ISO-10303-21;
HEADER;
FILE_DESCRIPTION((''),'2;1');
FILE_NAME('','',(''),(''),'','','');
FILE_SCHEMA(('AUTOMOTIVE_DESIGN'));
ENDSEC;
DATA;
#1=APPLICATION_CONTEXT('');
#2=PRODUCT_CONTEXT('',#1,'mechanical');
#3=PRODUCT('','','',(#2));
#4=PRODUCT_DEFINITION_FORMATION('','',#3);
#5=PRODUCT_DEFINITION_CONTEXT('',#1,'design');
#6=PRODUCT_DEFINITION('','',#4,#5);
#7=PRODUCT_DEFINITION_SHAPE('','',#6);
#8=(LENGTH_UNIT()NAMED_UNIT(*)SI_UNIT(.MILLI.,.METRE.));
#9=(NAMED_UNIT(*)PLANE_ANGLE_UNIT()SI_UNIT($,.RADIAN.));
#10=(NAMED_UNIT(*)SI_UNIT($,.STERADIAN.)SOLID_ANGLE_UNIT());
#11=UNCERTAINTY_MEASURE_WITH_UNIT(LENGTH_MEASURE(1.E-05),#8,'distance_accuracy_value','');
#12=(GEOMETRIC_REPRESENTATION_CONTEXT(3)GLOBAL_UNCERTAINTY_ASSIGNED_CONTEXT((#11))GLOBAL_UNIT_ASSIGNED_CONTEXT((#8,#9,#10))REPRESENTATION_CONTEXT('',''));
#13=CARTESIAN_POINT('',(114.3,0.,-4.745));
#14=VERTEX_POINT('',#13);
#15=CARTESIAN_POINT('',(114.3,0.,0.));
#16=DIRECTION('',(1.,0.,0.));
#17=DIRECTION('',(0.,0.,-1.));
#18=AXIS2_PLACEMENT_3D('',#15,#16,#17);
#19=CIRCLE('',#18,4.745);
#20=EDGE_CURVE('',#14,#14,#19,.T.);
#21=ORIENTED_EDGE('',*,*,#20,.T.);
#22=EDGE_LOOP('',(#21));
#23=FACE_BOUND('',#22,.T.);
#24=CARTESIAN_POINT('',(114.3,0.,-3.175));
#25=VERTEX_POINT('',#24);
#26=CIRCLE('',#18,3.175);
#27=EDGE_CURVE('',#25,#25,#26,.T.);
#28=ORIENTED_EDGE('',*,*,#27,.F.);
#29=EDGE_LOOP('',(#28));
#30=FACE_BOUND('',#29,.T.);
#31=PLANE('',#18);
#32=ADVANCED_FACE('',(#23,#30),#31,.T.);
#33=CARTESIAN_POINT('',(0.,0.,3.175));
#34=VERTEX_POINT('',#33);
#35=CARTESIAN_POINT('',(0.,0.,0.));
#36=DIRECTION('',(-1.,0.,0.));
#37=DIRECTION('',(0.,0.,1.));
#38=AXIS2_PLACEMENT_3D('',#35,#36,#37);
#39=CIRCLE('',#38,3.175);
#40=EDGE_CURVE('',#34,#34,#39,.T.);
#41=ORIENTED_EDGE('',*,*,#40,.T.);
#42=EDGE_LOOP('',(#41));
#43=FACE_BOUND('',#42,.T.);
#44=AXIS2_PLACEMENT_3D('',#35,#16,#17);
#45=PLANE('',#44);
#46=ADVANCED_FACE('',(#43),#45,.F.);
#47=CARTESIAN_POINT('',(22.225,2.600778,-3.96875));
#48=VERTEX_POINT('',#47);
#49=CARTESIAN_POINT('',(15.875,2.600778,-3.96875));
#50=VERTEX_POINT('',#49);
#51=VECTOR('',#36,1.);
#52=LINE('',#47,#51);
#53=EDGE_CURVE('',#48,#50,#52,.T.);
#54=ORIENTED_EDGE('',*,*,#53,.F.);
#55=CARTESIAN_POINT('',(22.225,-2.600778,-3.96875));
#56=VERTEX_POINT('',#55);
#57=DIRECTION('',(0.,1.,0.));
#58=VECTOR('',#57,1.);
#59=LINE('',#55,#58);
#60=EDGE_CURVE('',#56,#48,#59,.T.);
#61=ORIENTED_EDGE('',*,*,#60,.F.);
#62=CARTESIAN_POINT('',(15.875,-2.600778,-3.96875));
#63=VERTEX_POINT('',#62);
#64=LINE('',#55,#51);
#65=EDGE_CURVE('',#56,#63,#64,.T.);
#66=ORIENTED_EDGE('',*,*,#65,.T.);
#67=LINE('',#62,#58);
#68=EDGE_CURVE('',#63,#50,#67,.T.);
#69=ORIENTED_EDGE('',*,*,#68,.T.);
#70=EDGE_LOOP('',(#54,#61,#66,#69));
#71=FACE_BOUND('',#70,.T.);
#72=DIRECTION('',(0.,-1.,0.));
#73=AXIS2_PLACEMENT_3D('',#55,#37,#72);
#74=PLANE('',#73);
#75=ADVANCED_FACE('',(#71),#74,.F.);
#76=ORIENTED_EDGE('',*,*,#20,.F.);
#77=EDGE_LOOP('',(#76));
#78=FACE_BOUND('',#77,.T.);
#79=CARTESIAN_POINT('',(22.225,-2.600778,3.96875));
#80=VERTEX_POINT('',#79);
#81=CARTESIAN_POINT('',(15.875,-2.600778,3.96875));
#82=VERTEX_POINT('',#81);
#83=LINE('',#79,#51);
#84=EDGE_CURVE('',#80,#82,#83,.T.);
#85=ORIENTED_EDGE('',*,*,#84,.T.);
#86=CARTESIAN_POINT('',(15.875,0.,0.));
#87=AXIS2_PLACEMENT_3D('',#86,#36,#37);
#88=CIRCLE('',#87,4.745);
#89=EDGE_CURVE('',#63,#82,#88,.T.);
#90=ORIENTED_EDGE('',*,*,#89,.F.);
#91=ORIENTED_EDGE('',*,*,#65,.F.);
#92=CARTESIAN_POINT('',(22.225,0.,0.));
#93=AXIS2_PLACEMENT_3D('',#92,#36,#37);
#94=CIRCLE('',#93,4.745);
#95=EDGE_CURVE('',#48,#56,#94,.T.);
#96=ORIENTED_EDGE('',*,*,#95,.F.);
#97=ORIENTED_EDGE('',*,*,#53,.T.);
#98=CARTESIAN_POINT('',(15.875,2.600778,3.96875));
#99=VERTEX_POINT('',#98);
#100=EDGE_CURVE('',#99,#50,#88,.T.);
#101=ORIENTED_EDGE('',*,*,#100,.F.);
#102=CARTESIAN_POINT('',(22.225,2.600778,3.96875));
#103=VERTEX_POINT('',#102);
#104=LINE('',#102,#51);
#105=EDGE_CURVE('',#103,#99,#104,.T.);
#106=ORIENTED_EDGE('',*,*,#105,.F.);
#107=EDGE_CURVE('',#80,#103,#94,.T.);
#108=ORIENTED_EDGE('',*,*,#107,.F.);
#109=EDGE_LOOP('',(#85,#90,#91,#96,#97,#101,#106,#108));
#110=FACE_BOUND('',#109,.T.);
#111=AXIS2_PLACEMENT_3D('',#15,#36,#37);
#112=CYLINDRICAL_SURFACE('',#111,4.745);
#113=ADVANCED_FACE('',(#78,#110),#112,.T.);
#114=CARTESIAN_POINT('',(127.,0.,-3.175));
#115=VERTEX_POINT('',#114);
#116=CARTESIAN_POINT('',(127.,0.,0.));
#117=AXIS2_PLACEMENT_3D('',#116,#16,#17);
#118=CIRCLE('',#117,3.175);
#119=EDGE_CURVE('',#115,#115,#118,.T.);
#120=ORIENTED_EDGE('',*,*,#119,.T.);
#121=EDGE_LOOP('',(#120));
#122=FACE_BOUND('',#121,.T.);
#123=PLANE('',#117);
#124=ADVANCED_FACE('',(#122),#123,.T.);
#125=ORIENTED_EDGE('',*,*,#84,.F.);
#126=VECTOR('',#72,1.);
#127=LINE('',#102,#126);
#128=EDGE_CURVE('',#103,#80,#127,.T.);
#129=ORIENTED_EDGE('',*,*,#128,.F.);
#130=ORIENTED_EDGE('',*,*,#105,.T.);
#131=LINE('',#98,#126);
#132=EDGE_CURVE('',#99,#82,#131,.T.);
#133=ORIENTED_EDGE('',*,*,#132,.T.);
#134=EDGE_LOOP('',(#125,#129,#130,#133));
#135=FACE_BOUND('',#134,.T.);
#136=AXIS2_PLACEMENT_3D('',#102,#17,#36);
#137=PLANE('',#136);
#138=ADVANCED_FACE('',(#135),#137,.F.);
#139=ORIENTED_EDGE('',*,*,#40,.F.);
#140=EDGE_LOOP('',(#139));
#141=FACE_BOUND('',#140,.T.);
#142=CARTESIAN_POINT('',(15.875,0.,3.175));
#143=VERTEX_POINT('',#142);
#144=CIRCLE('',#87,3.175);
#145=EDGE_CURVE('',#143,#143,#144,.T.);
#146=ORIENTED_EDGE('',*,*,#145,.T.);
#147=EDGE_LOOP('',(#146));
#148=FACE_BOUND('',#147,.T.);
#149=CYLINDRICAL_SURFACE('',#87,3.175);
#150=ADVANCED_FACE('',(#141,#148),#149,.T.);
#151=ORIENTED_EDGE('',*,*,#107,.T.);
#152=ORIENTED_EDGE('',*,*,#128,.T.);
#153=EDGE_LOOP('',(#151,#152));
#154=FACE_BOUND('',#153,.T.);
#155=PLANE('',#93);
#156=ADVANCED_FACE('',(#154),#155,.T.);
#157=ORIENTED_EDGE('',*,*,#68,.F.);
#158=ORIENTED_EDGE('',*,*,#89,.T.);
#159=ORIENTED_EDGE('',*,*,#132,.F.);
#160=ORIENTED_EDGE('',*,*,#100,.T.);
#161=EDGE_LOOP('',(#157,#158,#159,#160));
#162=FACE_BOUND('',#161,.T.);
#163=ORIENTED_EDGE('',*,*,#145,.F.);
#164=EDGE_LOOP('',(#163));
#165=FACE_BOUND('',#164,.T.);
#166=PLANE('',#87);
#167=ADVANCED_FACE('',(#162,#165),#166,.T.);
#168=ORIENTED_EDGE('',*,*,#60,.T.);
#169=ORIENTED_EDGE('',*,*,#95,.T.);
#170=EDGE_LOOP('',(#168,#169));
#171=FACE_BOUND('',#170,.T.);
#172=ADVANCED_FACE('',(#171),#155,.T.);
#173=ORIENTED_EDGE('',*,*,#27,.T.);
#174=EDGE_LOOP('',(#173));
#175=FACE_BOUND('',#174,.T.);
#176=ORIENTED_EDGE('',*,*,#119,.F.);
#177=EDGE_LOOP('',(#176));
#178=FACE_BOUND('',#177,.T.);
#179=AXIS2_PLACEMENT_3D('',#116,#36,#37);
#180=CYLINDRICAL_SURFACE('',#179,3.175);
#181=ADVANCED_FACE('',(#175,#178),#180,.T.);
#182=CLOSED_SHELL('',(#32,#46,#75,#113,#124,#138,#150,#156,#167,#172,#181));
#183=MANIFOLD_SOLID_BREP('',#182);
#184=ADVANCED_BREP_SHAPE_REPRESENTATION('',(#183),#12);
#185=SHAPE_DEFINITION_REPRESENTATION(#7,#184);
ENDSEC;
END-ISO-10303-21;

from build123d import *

# Parameters (mm, degrees)
SKETCH1_R           = 4.745
BASE_EXTRUDE_DEPTH  = 114.3
SKETCH2_R           = 3.175
BOSS_EXTRUDE1_DEPTH = 12.7
SKETCH3_R           = 4.745
SKETCH3_R_2         = 3.175
CUT_EXTRUDE1_DEPTH  = 15.875
CUT_EXTRUDE2_DEPTH  = 6.35


with BuildPart() as part:
    # Sketch1 → Base-Extrude (new body)
    with BuildSketch(Plane(origin=(0, 0, 0), x_dir=(0, 0, -1), z_dir=(1, 0, 0))):
        Circle(SKETCH1_R)
    extrude(amount=BASE_EXTRUDE_DEPTH)

    # Sketch2 → Boss-Extrude1 (add)
    with BuildSketch(Plane(origin=(114.3, 0, 0), x_dir=(0, 0, -1), z_dir=(1, 0, 0))):
        Circle(SKETCH2_R)
    extrude(amount=BOSS_EXTRUDE1_DEPTH)

    # Sketch3 → Cut-Extrude1 (cut)
    with BuildSketch(Plane.ZY):
        Circle(SKETCH3_R)
        with Locations(Location((0, 0, 0), (0, 0, 180))):
            Circle(SKETCH3_R_2, mode=Mode.SUBTRACT)
    extrude(amount=-CUT_EXTRUDE1_DEPTH, mode=Mode.SUBTRACT)

    # Sketch4 → Cut-Extrude2 (cut)
    with BuildSketch(Plane.ZY.offset(-15.875)):
        with BuildLine():
            Line((3.96875, 2.600778429), (3.96875, -2.600778429))
            ThreePointArc((3.96875, -2.600778429), (4.745, 0), (3.96875, 2.600778429))
        make_face()
        with BuildLine():
            Line((-3.96875, -2.600778429), (-3.96875, 2.600778429))
            ThreePointArc((-3.96875, 2.600778429), (-4.745, 0), (-3.96875, -2.600778429))
        make_face()
    extrude(amount=-CUT_EXTRUDE2_DEPTH, mode=Mode.SUBTRACT)


solid = part.part
